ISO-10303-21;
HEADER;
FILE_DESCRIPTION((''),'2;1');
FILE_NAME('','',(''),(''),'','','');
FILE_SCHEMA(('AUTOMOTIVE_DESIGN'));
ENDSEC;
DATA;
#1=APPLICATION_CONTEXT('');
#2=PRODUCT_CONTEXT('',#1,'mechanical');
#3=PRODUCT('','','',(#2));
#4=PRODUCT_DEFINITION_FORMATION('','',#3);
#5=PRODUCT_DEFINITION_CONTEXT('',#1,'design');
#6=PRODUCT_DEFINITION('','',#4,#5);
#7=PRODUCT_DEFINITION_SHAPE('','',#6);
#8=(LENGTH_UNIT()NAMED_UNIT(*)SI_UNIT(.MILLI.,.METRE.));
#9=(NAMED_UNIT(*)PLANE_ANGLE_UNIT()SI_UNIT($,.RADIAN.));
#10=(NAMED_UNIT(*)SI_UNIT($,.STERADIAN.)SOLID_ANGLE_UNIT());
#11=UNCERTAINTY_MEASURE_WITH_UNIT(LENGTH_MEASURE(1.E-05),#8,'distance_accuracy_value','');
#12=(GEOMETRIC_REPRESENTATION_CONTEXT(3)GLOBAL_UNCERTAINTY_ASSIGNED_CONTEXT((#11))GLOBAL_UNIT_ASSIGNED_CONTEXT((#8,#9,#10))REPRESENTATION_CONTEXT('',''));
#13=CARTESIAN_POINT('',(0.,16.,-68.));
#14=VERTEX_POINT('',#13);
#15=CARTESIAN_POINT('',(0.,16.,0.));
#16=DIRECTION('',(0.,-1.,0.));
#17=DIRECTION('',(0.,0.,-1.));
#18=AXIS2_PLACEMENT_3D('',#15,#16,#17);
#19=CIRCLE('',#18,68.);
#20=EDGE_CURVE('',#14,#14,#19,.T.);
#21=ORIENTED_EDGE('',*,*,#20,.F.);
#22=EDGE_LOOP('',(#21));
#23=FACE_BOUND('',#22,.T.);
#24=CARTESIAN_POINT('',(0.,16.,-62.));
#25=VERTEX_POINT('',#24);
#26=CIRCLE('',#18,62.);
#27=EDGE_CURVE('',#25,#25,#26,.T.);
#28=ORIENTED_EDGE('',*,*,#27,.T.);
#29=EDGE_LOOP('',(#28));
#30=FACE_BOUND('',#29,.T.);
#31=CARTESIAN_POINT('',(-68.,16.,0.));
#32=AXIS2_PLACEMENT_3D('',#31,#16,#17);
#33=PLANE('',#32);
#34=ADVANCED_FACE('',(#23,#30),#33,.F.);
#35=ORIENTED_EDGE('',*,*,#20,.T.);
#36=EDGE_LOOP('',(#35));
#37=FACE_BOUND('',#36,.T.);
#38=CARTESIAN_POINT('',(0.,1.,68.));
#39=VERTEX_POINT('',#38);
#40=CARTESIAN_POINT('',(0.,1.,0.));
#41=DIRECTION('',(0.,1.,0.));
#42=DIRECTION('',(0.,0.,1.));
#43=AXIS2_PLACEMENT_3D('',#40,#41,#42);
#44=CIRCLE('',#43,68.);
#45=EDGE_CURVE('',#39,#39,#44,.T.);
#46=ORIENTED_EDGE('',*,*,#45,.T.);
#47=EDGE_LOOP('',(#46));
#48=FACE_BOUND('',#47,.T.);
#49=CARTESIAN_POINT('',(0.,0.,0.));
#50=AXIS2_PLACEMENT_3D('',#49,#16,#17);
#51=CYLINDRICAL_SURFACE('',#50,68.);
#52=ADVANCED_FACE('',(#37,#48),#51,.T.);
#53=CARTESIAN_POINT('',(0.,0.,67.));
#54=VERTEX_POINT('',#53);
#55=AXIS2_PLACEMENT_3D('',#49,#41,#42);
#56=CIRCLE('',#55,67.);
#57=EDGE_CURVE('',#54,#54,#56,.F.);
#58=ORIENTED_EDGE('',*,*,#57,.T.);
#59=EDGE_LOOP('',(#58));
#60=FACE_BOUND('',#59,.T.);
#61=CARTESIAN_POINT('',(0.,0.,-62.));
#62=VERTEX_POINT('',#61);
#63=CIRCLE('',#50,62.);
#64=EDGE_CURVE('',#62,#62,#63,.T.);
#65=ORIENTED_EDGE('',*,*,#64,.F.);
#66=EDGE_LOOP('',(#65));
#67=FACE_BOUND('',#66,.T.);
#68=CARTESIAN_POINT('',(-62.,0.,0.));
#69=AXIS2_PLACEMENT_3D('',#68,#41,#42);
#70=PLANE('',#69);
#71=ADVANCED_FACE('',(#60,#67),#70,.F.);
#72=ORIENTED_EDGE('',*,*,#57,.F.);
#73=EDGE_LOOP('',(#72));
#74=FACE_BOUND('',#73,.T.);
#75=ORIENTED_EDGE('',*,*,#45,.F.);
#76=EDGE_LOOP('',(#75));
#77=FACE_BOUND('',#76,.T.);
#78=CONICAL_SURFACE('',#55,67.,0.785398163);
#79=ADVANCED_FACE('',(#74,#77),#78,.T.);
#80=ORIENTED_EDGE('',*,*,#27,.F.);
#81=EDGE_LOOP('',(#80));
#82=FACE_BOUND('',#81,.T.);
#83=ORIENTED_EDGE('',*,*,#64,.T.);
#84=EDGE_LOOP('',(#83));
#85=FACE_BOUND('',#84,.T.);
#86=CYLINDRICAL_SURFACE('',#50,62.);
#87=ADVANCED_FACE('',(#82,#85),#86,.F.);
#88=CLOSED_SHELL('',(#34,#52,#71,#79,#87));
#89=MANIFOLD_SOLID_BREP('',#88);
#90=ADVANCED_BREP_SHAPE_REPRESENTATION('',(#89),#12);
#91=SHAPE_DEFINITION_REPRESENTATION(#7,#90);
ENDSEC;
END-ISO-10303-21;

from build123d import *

# Parameters (mm, degrees)
SCHIZZO1_W   = 6
SCHIZZO1_H   = 16
SMUSSO1_SIZE = 1


with BuildPart() as part:
    # Schizzo1 → Rivoluzione1 (revolve)
    with BuildSketch(Plane.XY, mode=Mode.PRIVATE) as rivoluzione1_sk:
        with Locations((-65, 8)):
            Rectangle(SCHIZZO1_W, SCHIZZO1_H)
    revolve(rivoluzione1_sk.sketch.rotate(Axis((0, 0, 0), (0, 1, 0)), 270), axis=Axis((0, 0, 0), (0, 1, 0)))

    # Smusso1
    smusso1_edges = [part.edges().sort_by_distance(p)[0] for p in [
        (0, 0, 68),
    ]]
    chamfer(smusso1_edges, length=SMUSSO1_SIZE)


solid = part.part
